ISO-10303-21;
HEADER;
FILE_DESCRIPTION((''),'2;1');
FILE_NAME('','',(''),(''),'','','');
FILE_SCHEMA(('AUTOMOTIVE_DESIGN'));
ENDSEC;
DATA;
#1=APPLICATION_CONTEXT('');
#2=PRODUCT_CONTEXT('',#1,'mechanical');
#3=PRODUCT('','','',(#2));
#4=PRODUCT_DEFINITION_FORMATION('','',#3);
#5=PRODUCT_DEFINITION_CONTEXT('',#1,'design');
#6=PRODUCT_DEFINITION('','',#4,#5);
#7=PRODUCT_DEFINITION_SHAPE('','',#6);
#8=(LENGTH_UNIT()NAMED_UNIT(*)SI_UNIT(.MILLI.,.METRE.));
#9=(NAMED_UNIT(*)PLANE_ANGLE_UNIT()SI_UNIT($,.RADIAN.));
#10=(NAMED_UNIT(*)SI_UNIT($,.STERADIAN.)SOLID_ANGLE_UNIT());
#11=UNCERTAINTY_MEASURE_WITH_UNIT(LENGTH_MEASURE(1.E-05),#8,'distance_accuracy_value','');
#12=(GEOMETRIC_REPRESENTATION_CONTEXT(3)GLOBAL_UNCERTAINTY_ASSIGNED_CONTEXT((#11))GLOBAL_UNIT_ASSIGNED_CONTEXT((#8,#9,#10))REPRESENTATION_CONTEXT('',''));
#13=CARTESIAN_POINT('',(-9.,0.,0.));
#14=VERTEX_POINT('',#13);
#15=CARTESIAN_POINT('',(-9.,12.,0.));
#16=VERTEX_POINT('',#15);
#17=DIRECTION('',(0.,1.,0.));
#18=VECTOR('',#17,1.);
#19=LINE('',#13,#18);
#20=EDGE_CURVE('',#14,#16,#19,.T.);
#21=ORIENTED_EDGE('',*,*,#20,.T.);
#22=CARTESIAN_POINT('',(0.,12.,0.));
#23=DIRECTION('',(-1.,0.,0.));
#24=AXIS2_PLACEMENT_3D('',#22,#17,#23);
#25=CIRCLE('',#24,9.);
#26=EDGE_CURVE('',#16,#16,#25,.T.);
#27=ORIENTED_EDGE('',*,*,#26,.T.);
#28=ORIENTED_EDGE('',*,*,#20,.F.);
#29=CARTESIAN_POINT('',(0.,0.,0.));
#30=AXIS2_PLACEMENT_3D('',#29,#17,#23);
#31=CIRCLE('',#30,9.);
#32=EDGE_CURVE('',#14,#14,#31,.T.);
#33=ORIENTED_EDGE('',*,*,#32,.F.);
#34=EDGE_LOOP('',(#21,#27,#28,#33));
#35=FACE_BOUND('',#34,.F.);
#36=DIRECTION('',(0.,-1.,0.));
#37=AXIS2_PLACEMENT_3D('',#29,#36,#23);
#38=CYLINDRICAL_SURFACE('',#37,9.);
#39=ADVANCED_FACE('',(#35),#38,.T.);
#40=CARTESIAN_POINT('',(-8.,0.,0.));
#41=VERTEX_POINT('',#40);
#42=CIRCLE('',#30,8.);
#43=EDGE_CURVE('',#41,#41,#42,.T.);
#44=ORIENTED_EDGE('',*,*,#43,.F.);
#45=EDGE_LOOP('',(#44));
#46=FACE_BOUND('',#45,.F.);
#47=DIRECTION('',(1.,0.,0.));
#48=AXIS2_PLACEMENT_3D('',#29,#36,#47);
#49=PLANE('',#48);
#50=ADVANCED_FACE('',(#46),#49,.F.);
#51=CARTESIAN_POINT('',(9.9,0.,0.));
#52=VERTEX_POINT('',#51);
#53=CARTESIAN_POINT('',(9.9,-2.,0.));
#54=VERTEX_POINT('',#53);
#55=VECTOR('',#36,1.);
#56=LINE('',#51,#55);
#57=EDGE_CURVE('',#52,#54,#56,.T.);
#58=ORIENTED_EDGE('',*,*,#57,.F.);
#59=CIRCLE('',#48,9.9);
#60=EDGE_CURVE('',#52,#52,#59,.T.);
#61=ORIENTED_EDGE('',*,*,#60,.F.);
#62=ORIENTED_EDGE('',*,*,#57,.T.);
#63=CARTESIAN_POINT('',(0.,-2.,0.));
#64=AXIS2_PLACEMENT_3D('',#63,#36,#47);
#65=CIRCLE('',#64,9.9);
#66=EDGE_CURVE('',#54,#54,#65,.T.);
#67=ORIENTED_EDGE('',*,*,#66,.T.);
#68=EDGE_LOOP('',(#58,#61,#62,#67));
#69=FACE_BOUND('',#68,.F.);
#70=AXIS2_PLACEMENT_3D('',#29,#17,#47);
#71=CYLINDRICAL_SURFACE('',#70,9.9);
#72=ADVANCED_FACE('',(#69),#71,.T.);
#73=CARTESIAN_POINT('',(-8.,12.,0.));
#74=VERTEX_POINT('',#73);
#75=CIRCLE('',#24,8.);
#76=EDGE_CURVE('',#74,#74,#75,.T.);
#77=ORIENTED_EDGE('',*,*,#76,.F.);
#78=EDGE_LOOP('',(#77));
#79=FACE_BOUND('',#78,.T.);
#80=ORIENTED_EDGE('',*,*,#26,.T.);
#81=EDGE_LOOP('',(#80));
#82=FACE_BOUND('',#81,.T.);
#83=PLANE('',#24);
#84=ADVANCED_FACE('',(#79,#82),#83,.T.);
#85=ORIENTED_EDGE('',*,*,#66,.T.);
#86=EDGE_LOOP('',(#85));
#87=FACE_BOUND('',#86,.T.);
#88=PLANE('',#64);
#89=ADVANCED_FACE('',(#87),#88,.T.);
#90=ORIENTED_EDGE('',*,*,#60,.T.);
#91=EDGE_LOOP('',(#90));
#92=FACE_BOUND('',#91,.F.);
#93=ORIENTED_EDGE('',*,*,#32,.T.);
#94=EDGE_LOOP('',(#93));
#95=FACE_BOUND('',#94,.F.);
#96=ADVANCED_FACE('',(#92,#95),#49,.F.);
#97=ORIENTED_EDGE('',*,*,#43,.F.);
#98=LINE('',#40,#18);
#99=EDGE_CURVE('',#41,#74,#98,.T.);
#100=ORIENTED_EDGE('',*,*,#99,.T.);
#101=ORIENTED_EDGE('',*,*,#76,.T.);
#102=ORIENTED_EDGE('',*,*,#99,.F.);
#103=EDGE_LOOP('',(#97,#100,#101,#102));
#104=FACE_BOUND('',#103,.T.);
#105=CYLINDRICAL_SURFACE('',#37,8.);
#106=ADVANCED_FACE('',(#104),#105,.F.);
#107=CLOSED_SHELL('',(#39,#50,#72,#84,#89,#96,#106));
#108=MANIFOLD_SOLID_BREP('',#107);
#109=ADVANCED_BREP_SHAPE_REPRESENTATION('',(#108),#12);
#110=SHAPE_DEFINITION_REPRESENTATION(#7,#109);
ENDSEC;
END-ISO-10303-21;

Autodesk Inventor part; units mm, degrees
ref_plane "YZ Plane" through (0, 0, 0) normal (1, 0, 0) x (0, 1, 0)
ref_plane "XZ Plane" through (0, 0, 0) normal (0, 1, 0) x (-1, 0, 0)
ref_plane "XY Plane" through (0, 0, 0) normal (0, 0, 1) x (1, 0, 0)
sketch "スケッチ1" plane through (0, 0, 0) normal (0, 1, 0) x (-1, 0, 0)
  circle A0 centre (0, 0) radius 9
  circle A1 centre (0, 0) radius 8
  dimension "d0" = 18
  dimension "d1" = 16
extrude "押し出し1" add sketch "スケッチ1" along normal blind 12
sketch "スケッチ2" plane through (0, 0, 0) normal (0, -1, 0) x (1, 0, 0)
  circle A0 centre (0, 0) radius 9.9
  dimension "d4" = 19.8
extrude "押し出し2" add sketch "スケッチ2" along normal blind 2
properties part number "Tire_v2"
